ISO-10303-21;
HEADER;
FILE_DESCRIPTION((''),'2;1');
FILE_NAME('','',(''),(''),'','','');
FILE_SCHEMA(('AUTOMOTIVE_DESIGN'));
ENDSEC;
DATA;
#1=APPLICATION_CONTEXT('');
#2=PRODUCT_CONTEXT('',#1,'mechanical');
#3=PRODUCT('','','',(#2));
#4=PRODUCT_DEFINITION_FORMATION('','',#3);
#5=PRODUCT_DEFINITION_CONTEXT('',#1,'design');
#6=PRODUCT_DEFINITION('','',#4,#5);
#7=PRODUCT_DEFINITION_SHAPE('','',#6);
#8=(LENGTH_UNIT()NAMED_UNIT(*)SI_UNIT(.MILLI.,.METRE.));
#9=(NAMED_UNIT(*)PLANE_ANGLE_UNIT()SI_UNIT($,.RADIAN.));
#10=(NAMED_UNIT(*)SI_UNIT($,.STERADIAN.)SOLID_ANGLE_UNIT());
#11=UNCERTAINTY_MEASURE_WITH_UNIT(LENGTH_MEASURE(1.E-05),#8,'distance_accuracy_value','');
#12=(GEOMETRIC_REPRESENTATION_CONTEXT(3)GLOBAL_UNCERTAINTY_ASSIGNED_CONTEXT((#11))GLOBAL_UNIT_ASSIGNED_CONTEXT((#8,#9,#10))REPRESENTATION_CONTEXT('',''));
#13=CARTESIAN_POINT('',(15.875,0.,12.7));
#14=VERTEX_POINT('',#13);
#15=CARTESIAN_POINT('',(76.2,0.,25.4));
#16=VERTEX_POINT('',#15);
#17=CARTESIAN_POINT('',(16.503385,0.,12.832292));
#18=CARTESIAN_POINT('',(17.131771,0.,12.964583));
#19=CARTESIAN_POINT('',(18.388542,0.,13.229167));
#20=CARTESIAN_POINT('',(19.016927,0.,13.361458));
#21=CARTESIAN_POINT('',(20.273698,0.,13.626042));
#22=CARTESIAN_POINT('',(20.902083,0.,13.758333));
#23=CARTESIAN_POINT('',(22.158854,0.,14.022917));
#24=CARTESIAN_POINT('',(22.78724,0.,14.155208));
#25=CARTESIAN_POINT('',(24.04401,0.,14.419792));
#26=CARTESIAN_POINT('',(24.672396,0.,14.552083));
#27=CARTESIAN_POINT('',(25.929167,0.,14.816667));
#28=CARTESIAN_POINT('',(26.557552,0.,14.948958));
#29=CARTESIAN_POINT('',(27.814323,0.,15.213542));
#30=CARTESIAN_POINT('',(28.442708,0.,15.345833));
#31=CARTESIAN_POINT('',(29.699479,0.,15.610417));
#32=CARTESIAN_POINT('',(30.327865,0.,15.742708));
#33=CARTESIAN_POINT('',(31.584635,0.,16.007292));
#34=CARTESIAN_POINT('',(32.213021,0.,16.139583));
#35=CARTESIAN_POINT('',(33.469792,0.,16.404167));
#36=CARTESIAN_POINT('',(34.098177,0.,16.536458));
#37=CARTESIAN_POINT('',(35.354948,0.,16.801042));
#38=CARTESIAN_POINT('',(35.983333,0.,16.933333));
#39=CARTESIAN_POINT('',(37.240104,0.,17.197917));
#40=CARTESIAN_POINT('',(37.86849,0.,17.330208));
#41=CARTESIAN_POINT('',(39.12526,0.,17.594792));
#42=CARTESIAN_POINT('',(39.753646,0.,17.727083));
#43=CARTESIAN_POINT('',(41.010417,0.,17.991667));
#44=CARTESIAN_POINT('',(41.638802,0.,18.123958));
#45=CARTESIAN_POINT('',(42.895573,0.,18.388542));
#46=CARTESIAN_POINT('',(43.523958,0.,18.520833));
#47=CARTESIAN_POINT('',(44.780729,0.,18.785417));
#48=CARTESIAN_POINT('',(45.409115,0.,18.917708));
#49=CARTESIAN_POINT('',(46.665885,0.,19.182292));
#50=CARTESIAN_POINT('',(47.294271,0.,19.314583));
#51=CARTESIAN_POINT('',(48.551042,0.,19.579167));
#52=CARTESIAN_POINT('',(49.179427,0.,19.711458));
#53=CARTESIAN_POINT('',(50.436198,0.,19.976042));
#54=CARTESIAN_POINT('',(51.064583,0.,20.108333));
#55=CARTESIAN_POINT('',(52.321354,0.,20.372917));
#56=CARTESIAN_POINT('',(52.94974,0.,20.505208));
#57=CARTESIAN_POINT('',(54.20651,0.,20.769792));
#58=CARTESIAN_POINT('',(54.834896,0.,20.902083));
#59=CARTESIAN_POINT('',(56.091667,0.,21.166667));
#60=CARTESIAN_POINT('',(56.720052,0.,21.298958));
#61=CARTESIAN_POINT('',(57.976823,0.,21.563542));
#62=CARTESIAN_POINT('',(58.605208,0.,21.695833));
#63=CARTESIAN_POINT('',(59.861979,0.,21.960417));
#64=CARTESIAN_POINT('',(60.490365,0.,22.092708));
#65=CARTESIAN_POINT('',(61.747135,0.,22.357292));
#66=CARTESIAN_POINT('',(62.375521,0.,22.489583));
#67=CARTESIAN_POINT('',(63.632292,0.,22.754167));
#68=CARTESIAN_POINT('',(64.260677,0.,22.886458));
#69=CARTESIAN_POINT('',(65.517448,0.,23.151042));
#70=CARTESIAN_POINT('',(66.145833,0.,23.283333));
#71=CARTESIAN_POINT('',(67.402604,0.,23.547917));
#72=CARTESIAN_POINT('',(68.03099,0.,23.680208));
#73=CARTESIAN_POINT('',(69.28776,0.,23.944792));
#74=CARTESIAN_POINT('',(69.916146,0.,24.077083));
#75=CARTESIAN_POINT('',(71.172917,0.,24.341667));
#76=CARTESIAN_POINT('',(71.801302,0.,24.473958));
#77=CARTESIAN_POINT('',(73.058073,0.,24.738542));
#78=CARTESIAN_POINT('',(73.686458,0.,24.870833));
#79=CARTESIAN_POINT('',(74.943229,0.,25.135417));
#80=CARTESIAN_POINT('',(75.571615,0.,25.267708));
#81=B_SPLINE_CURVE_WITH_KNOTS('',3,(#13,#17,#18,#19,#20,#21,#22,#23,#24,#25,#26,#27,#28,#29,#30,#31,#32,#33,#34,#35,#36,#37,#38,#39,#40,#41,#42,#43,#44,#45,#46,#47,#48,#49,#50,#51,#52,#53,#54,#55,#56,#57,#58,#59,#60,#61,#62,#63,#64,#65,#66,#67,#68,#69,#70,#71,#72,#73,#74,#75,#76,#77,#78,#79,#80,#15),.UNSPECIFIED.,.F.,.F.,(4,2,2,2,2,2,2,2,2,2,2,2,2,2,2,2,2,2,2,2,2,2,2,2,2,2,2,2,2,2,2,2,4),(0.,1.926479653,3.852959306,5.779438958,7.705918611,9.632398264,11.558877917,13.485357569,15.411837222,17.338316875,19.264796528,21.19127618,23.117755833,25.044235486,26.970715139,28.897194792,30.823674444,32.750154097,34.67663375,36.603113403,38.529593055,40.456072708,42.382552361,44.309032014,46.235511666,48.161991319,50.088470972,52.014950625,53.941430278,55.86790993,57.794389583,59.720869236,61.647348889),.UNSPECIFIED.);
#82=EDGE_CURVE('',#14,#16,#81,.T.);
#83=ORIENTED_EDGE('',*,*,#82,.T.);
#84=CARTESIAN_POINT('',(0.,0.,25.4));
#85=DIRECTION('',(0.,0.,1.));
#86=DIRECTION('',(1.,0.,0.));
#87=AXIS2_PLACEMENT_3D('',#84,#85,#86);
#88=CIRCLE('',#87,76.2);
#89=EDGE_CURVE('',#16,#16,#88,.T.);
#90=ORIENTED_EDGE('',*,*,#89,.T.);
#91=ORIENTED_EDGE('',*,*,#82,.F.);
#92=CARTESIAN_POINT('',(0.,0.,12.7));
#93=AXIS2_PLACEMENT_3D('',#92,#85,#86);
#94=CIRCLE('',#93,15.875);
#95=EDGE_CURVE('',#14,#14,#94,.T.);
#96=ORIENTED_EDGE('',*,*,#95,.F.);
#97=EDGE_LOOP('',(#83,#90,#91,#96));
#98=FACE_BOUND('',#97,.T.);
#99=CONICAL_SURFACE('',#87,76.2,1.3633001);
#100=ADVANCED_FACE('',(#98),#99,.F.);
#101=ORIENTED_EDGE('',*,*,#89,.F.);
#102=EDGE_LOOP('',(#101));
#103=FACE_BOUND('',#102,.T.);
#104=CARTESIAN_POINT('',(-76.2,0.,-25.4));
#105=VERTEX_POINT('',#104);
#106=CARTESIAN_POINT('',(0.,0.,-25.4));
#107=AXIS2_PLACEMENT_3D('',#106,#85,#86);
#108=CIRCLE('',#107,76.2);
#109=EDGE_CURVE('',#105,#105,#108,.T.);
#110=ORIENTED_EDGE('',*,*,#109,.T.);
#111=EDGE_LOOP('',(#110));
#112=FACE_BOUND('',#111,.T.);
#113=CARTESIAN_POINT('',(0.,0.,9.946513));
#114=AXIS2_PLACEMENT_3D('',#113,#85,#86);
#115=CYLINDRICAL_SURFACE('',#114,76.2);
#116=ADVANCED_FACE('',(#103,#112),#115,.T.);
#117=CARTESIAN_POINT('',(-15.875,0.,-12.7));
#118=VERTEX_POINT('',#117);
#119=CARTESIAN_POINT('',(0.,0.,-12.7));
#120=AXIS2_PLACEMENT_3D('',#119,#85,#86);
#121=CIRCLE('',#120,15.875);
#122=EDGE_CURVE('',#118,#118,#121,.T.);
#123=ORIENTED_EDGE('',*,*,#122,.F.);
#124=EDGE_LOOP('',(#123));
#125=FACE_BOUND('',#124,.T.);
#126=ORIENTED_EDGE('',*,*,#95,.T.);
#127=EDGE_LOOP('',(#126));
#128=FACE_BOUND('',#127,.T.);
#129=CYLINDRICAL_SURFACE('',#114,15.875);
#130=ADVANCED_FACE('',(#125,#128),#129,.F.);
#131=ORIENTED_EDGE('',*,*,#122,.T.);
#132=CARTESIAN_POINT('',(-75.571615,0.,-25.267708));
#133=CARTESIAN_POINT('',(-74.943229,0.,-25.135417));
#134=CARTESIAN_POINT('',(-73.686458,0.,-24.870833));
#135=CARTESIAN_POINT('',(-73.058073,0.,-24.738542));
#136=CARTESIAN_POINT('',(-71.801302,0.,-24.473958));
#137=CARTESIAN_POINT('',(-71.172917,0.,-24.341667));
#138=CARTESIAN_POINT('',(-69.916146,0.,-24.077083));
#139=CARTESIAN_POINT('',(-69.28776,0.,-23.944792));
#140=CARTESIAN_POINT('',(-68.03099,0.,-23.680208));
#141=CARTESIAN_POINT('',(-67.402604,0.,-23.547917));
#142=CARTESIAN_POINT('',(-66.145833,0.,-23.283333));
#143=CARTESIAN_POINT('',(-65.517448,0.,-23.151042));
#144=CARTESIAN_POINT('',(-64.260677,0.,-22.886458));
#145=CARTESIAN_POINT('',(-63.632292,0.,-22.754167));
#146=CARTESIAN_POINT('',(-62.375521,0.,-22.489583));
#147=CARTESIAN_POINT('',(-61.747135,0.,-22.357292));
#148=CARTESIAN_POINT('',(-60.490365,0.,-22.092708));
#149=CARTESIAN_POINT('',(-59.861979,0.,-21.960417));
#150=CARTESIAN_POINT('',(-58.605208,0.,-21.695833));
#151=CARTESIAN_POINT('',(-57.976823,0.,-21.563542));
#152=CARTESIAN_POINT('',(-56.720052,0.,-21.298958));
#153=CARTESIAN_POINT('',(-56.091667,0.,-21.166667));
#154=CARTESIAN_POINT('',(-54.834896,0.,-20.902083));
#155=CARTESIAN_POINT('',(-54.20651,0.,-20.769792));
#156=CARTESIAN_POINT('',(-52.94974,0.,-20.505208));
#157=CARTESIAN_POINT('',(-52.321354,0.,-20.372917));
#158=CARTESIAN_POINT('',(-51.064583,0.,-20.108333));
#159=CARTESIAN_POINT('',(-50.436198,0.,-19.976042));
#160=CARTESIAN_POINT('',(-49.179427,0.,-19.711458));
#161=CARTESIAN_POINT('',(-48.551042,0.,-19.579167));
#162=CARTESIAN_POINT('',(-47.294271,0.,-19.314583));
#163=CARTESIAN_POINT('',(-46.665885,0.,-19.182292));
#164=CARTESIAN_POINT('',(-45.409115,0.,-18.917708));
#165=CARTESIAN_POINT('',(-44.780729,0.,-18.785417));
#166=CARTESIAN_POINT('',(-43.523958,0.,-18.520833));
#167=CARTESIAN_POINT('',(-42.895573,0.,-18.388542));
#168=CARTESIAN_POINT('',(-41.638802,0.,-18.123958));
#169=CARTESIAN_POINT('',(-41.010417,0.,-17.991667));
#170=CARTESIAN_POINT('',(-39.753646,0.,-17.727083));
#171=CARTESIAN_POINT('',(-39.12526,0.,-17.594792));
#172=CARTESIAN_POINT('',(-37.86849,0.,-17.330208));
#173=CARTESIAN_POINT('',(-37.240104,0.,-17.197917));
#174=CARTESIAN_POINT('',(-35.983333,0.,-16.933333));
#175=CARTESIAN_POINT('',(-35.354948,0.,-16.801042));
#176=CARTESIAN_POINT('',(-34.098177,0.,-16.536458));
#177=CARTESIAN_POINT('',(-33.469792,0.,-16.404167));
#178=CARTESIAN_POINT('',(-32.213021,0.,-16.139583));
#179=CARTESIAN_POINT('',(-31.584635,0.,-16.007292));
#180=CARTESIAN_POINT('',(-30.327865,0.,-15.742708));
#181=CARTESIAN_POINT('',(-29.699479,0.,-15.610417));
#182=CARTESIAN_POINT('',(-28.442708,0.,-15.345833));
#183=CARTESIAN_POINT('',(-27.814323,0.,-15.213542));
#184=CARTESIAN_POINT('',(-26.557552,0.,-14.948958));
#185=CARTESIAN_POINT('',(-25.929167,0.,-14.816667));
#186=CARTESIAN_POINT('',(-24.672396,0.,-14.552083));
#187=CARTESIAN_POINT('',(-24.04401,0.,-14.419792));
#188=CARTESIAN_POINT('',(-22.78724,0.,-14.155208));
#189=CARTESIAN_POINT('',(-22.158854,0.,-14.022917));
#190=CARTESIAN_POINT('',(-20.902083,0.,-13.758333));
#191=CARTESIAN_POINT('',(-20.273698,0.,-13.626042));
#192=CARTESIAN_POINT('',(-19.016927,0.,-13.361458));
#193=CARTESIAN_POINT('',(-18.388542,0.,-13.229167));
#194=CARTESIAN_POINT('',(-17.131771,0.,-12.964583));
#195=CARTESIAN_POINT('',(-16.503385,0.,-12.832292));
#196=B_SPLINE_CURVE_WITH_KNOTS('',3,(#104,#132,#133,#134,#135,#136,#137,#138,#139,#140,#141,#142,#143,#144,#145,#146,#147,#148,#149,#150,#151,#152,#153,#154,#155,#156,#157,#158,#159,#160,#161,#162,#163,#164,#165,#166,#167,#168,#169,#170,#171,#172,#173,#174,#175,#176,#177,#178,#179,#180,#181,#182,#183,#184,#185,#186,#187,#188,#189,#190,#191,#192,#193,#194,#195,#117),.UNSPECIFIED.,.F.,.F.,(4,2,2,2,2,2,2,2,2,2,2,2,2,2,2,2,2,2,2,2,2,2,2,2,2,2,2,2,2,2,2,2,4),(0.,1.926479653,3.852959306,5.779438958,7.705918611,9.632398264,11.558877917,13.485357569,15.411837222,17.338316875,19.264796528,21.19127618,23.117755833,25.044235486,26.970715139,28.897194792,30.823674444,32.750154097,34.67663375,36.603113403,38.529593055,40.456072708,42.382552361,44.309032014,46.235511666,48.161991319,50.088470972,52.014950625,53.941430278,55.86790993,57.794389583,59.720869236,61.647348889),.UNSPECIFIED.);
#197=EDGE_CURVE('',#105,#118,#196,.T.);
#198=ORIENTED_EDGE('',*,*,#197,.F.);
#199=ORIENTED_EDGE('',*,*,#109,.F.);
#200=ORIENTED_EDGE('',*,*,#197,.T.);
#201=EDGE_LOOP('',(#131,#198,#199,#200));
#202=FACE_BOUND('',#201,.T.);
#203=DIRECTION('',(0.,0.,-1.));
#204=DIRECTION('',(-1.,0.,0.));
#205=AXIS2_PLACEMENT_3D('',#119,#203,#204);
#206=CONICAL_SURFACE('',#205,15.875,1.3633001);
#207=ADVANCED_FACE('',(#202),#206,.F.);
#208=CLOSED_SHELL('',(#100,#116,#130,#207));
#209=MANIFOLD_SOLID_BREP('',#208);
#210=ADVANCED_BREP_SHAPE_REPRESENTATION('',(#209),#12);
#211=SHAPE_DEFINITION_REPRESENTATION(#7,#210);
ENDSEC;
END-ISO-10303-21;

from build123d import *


with BuildPart() as part:
    # Sketch2 → Revolve1 (revolve)
    with BuildSketch(Plane(origin=(0, 0, 0), x_dir=(0, 0, -1), z_dir=(1, 0, 0)), mode=Mode.PRIVATE) as revolve1_sk:
        Polygon((12.7, 15.875), (-12.7, 15.875), (-25.4, 76.2), (25.4, 76.2), align=None)
    revolve(revolve1_sk.sketch.rotate(Axis((0, 0, 9.946513058), (0, 0, -1)), 90), axis=Axis((0, 0, 9.946513058), (0, 0, -1)))


solid = part.part
